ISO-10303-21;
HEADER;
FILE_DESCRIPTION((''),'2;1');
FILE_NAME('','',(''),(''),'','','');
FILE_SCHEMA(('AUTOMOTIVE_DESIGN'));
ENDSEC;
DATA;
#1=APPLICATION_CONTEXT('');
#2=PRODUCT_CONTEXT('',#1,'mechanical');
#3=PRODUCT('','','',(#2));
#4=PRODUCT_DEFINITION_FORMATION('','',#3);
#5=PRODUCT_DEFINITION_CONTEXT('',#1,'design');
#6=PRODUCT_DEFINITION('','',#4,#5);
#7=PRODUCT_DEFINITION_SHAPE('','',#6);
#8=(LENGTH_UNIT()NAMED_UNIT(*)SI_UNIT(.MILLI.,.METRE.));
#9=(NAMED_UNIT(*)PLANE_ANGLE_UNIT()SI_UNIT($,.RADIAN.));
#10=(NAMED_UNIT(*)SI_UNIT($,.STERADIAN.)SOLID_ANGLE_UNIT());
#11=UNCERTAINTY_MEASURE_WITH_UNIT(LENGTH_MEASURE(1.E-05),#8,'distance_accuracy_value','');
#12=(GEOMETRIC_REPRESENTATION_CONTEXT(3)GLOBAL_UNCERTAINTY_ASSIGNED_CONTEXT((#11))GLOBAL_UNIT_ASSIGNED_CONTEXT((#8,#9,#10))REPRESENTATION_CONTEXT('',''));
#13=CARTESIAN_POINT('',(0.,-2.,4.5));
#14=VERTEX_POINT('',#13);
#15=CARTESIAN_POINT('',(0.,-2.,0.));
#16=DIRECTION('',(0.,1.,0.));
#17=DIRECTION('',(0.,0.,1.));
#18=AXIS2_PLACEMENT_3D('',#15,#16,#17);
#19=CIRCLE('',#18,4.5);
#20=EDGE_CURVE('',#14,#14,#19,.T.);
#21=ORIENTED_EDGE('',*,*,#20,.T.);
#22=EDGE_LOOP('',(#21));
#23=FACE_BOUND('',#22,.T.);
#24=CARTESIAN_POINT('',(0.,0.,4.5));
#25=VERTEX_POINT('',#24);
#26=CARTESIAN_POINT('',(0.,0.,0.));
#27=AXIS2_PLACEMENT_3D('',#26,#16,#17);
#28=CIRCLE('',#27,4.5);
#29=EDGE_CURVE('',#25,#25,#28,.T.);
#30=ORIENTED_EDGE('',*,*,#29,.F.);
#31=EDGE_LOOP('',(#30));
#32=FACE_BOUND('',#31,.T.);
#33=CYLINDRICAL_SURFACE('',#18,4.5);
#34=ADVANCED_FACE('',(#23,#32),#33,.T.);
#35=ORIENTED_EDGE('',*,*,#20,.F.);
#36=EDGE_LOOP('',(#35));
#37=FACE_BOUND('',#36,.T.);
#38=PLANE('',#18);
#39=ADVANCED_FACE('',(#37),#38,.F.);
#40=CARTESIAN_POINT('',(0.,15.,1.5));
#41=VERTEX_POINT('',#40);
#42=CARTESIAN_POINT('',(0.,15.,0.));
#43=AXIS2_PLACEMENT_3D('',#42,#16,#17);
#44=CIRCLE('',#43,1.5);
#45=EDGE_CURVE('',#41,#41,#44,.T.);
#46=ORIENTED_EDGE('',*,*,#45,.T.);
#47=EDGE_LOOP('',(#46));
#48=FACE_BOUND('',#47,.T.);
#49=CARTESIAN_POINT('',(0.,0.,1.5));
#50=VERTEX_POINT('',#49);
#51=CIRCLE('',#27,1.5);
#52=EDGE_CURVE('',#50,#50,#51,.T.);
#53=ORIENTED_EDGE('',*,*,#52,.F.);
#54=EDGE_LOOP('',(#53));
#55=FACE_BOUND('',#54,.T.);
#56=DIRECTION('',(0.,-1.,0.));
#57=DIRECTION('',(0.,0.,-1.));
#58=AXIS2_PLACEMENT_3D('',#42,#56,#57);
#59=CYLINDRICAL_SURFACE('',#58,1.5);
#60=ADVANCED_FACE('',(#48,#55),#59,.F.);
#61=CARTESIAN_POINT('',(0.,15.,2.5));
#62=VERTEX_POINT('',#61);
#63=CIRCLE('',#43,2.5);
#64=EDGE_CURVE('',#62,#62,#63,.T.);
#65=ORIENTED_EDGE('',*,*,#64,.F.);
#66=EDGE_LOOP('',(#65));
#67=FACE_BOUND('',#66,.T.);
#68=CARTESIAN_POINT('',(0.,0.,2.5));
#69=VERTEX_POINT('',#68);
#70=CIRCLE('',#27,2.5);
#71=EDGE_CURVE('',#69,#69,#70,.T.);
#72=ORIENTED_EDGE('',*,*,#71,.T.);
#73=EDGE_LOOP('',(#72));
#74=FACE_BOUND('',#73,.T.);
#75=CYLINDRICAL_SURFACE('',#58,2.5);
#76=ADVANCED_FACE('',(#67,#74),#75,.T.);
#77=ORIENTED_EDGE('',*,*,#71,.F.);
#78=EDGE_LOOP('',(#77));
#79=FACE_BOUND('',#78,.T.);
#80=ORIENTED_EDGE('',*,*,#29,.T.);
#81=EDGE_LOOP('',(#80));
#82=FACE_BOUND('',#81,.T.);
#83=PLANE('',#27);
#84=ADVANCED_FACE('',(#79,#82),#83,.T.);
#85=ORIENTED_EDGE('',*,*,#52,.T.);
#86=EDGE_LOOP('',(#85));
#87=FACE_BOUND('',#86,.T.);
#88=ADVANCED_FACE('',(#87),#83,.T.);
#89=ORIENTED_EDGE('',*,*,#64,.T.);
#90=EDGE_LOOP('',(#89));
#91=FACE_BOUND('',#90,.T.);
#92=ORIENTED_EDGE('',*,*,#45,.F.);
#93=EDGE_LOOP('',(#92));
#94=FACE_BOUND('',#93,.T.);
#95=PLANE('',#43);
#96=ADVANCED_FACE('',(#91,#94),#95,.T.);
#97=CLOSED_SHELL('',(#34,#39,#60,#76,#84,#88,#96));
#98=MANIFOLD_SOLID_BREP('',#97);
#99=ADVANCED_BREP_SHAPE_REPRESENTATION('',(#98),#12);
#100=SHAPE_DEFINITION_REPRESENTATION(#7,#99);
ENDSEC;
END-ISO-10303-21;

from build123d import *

# Parameters (mm, degrees)
SKETCH2_R           = 4.5
SKETCH2_R_2         = 2.5
BOSS_EXTRUDE1_DEPTH = 2
SKETCH2_3_R         = 2.5
BOSS_EXTRUDE2_DEPTH = 15
CUT_EXTRUDE1_START  = -15
SKETCH3_R           = 1.5
CUT_EXTRUDE1_DEPTH  = 34.152134861


with BuildPart() as part:
    # Sketch2 → Boss-Extrude1 (new body)
    # profile 1 of 2: a face of its own
    with BuildSketch(Plane(origin=(0, 0, 0), x_dir=(1, 0, 0), z_dir=(0, 1, 0))):
        with Locations(Location((0, 0, 0), (0, 0, 270))):
            Circle(SKETCH2_R)
        Circle(SKETCH2_R_2, mode=Mode.SUBTRACT)
    # profile 2 of 2: a face of its own
    with BuildSketch(Plane(origin=(0, 0, 0), x_dir=(1, 0, 0), z_dir=(0, 1, 0))):
        Circle(SKETCH2_R_2)
    extrude(amount=-BOSS_EXTRUDE1_DEPTH)

    # Sketch2<3> → Boss-Extrude2 (add)
    with BuildSketch(Plane(origin=(0, 0, 0), x_dir=(1, 0, 0), z_dir=(0, 1, 0))):
        with Locations(Location((0, 0, 0), (0, 0, 270))):
            Circle(SKETCH2_3_R)
    extrude(amount=BOSS_EXTRUDE2_DEPTH)

    # Sketch3 → Cut-Extrude1 (cut, through all)
    with BuildSketch(Plane(origin=(0, 15, 0), x_dir=(1, 0, 0), z_dir=(0, 1, 0)).offset(CUT_EXTRUDE1_START)):
        with Locations(Location((0, 0, 0), (0, 0, 270))):
            Circle(SKETCH3_R)
    extrude(amount=CUT_EXTRUDE1_DEPTH, mode=Mode.SUBTRACT)


solid = part.part
